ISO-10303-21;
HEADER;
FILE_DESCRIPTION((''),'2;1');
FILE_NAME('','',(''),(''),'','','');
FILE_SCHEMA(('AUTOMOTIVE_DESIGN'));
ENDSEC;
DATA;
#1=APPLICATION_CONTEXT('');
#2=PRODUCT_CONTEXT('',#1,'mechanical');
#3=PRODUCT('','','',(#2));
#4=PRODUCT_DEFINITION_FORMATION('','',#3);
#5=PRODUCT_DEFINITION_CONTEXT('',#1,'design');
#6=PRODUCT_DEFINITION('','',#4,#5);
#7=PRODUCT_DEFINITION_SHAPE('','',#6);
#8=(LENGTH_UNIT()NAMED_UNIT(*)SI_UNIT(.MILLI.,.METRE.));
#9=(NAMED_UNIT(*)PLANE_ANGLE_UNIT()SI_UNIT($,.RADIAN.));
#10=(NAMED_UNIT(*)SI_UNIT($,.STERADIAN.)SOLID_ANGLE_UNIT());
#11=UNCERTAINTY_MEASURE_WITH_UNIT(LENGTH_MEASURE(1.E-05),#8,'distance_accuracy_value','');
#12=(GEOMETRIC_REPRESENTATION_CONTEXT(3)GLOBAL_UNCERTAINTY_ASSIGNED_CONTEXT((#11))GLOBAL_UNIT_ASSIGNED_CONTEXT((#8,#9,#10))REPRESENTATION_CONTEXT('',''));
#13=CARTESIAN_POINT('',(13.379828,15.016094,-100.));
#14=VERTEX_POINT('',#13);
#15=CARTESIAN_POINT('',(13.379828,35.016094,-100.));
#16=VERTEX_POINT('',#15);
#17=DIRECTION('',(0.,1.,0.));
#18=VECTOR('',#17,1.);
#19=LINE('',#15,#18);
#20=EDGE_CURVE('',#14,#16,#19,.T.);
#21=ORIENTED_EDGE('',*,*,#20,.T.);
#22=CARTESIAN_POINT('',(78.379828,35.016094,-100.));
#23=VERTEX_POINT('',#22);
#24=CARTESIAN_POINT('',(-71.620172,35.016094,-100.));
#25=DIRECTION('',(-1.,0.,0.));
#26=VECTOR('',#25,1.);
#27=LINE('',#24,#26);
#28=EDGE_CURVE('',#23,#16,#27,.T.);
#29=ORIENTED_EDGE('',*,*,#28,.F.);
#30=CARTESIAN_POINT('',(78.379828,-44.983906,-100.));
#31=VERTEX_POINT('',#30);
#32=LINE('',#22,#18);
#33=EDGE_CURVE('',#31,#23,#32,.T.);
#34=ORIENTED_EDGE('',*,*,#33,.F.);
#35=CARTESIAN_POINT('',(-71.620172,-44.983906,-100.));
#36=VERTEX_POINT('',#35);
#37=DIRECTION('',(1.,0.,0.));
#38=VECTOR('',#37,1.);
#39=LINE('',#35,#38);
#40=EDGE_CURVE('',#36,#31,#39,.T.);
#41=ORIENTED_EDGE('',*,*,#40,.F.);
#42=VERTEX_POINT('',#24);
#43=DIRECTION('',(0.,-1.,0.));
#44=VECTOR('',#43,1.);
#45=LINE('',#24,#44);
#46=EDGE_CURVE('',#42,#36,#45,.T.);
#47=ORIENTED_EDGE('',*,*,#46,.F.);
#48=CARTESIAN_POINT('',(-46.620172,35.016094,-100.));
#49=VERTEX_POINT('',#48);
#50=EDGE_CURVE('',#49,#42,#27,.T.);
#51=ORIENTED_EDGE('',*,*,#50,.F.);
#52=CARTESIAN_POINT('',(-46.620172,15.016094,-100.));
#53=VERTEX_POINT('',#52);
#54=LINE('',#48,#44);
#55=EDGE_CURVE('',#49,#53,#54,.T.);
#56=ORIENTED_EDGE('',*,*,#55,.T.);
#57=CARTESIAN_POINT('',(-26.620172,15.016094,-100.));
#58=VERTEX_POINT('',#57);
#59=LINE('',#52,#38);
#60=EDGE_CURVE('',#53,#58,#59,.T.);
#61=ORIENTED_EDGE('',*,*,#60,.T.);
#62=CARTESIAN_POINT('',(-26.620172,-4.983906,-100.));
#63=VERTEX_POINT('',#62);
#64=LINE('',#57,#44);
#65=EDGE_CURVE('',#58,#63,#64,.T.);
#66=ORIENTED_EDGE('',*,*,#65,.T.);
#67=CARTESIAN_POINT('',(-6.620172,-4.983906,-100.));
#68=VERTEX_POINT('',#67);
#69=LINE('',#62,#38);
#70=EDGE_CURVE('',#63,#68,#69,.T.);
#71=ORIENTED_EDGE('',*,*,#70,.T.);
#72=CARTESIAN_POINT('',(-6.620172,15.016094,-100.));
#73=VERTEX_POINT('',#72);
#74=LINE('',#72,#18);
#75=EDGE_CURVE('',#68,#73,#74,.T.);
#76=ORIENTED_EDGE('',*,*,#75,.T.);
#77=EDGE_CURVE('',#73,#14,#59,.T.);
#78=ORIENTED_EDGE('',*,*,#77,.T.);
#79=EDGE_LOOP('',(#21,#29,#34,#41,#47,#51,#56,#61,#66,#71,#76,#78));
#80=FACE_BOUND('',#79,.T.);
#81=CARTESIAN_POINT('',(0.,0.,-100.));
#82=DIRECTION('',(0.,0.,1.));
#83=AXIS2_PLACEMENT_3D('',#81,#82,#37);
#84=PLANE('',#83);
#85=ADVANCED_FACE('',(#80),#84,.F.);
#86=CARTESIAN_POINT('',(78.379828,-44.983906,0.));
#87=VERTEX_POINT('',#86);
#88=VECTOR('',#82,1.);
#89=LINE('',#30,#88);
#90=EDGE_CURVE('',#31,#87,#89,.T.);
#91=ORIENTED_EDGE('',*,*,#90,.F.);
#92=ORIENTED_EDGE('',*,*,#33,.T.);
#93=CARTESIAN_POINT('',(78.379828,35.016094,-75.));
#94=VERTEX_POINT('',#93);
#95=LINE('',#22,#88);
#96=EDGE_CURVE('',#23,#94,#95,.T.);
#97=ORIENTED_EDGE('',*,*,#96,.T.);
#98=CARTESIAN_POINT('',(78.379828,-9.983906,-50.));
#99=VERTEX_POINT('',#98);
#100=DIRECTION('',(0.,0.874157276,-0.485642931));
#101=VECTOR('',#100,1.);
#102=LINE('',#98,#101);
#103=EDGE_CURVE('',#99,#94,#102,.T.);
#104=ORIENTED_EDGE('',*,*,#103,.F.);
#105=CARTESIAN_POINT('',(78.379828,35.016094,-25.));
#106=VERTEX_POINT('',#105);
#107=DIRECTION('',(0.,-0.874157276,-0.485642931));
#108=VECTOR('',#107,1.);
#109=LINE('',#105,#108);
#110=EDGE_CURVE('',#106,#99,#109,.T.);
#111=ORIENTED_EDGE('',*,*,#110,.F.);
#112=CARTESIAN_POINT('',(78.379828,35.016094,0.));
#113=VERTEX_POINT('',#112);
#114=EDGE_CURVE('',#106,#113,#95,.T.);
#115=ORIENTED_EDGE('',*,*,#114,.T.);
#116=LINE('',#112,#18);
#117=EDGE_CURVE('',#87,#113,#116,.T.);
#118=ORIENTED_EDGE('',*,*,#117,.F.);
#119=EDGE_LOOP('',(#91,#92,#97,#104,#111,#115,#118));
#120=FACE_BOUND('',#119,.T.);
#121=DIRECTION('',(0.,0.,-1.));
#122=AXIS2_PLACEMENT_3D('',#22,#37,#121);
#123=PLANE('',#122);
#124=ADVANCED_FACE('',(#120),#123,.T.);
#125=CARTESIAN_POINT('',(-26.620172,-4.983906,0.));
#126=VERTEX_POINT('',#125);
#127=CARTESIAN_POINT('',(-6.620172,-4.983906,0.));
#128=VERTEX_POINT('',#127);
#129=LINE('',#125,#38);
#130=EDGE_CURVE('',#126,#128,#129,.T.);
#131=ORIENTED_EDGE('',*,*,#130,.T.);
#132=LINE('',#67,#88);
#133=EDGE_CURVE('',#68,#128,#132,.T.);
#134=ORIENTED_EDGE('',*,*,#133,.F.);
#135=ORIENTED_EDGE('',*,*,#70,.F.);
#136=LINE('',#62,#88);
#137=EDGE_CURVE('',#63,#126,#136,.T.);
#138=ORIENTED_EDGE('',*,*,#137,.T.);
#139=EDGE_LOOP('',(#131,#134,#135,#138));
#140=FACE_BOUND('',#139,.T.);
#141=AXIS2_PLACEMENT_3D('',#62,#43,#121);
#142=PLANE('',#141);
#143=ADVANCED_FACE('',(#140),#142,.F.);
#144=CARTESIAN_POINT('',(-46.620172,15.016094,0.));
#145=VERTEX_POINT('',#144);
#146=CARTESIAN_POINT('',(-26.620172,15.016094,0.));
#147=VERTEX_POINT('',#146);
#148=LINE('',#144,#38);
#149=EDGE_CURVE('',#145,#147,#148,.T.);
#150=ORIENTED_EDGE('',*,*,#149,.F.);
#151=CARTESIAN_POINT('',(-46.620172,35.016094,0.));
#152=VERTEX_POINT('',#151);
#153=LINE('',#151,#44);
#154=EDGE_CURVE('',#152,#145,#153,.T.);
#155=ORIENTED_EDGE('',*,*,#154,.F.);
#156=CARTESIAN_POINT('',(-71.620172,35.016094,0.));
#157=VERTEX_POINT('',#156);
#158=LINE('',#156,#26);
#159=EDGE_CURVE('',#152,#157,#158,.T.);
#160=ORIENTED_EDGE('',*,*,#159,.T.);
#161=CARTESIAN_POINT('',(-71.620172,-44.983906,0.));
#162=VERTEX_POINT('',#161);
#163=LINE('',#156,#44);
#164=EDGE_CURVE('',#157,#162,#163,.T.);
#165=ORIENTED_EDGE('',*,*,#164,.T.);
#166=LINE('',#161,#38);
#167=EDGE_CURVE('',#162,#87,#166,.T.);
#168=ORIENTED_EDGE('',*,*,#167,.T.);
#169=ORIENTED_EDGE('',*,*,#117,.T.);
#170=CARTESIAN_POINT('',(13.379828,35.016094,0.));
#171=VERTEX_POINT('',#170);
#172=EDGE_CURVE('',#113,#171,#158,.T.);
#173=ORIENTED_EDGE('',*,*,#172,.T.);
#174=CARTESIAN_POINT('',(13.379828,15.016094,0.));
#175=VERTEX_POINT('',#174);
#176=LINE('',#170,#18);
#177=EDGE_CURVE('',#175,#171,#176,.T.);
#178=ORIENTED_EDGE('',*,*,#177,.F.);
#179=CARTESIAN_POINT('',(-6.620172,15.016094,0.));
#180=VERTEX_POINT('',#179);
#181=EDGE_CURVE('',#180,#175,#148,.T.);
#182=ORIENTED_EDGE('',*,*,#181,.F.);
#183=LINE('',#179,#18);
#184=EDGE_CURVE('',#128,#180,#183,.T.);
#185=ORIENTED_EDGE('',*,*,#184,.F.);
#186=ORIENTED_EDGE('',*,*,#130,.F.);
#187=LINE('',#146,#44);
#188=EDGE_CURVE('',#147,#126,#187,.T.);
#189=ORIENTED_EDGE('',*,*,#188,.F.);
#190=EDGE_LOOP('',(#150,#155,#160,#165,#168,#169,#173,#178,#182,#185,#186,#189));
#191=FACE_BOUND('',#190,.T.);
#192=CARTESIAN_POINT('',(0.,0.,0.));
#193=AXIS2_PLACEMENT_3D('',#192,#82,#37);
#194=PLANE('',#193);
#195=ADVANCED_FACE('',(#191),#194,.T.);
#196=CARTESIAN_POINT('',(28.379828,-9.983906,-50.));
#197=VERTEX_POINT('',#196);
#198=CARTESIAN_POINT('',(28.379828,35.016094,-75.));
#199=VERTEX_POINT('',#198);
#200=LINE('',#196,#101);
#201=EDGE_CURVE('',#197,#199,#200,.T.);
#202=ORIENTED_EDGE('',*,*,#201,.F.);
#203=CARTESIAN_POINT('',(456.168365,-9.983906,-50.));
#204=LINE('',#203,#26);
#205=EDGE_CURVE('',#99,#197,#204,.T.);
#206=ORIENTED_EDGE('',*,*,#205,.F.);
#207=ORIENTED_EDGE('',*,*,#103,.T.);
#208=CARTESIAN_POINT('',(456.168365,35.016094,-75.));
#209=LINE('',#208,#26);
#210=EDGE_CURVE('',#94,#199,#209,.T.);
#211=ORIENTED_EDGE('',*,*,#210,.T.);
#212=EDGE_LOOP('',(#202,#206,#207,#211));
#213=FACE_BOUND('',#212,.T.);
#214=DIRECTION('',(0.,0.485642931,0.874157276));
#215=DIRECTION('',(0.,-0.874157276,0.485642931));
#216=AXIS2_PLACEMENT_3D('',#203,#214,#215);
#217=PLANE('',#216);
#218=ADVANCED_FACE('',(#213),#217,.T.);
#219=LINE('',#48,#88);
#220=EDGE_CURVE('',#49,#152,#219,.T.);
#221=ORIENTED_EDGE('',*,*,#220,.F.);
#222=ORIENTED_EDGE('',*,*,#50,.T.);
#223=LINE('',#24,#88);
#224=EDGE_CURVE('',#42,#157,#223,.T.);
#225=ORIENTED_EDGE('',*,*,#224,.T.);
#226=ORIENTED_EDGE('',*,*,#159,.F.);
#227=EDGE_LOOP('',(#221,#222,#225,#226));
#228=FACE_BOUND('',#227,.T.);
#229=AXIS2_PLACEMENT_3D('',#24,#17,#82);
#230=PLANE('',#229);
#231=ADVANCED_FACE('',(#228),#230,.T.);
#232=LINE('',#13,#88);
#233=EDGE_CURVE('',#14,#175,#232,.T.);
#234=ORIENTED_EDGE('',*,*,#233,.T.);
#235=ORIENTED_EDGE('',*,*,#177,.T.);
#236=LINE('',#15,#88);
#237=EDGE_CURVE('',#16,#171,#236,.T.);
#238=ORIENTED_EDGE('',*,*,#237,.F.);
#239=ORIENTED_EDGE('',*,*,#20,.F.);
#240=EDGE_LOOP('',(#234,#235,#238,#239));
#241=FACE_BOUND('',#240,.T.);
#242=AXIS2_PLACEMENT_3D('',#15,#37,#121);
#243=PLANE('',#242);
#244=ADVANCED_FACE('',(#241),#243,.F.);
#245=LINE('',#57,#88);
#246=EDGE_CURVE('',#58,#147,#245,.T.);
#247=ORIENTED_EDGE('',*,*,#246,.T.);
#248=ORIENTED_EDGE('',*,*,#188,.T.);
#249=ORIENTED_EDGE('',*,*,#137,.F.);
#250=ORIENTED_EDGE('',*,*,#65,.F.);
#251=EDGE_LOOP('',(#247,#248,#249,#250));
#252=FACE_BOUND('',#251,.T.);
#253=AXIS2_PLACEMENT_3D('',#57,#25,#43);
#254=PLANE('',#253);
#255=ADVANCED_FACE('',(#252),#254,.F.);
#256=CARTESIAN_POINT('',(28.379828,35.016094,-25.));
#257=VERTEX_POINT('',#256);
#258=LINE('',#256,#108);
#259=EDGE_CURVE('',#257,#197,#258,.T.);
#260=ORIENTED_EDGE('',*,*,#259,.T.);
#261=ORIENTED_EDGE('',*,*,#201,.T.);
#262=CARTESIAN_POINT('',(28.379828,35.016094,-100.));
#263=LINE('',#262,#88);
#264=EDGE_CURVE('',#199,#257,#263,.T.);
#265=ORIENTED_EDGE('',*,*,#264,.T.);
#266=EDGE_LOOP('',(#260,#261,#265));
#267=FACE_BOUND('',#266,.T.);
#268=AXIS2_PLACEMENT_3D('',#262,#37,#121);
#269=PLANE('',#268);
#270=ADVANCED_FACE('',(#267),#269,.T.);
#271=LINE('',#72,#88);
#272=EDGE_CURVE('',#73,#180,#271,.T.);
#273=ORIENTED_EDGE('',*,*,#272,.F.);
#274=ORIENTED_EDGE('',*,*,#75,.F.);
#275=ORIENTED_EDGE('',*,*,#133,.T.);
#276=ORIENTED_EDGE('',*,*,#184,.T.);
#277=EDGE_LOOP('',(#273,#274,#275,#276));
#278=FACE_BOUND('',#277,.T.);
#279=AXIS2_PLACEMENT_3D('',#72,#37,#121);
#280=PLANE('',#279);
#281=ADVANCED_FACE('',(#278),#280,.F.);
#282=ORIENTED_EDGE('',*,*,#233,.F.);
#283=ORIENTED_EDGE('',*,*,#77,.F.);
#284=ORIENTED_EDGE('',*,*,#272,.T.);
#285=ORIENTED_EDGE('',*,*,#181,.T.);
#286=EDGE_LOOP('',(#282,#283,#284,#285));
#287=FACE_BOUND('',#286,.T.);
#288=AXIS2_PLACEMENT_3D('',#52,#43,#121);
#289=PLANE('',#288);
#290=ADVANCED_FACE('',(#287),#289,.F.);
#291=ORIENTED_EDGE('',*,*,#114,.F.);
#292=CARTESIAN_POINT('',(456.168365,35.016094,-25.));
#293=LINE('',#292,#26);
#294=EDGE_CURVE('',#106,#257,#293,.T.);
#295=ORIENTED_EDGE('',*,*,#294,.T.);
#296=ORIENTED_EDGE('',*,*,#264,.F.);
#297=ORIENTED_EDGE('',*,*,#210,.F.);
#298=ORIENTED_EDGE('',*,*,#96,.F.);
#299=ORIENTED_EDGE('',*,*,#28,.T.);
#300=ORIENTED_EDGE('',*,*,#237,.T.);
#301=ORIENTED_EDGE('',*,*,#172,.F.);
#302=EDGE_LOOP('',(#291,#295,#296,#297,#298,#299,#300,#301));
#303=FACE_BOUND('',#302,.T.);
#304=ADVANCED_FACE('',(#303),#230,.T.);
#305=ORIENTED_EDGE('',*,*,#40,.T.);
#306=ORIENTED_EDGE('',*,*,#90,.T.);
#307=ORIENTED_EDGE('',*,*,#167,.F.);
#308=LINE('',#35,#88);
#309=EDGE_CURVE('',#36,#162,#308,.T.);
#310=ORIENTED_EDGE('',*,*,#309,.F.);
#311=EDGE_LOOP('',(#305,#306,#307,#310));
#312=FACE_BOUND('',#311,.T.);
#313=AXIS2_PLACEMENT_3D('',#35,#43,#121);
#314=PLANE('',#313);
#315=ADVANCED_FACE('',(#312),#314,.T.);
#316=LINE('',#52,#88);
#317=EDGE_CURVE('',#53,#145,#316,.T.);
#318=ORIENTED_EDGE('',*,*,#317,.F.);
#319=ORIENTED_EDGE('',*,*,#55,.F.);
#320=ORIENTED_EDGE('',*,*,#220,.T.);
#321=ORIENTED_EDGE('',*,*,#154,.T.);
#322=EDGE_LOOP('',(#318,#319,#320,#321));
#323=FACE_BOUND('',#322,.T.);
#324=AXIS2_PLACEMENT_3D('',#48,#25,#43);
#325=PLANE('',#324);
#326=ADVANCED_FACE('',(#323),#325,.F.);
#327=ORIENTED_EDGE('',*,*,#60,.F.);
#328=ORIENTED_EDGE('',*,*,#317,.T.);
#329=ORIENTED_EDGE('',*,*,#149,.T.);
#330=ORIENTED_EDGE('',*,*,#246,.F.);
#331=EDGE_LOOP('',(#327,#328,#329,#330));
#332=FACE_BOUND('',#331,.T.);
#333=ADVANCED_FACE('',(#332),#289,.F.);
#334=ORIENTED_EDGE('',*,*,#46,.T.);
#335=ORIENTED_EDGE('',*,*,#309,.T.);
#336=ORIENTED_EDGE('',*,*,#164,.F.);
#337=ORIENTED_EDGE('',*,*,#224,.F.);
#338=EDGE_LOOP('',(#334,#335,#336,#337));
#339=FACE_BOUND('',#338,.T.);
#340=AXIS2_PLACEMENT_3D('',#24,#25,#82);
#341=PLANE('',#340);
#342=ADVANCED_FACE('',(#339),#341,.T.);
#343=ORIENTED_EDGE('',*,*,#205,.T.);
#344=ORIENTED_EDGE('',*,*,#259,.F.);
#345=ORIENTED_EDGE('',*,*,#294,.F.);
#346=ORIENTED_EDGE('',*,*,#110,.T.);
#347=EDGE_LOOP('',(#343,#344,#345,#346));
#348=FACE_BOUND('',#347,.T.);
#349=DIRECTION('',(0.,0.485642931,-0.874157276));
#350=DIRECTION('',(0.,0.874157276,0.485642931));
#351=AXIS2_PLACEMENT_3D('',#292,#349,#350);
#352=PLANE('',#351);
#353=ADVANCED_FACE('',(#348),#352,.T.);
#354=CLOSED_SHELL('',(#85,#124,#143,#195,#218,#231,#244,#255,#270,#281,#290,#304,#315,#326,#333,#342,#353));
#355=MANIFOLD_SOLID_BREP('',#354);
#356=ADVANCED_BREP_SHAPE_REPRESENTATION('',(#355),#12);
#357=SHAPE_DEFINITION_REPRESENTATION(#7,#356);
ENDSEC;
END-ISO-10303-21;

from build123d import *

# Parameters (mm, degrees)
SKETCH1_W               = 150
SKETCH1_H               = 80
BOSS_EXTRUDE1_DEPTH     = 100
SKETCH2_W               = 60
SKETCH2_H               = 20
CUT_EXTRUDE1_DEPTH      = 100
SKETCH3_W               = 20
SKETCH3_H               = 20
CUT_EXTRUDE2_DEPTH      = 100
CUT_EXTRUDE3_DEPTH      = 1
CUT_EXTRUDE3_DEPTH_BACK = 50


with BuildPart() as part:
    # Sketch1 → Boss-Extrude1 (new body)
    with BuildSketch(Plane.XY):
        with Locations((3.379828326, -4.983905579)):
            Rectangle(SKETCH1_W, SKETCH1_H)
    extrude(amount=-BOSS_EXTRUDE1_DEPTH)

    # Sketch2 → Cut-Extrude1 (cut)
    with BuildSketch(Plane.XY):
        with Locations((-16.620171674, 25.016094421)):
            Rectangle(SKETCH2_W, SKETCH2_H)
    extrude(amount=-CUT_EXTRUDE1_DEPTH, mode=Mode.SUBTRACT)

    # Sketch3 → Cut-Extrude2 (cut)
    with BuildSketch(Plane.XY):
        with Locations((-16.620171674, 5.016094421)):
            Rectangle(SKETCH3_W, SKETCH3_H)
    extrude(amount=-CUT_EXTRUDE2_DEPTH, mode=Mode.SUBTRACT)

    # Sketch4 → Cut-Extrude3 (cut, two sides)
    with BuildSketch(Plane(origin=(78.379828326, 0, 0), x_dir=(0, 0, -1), z_dir=(1, 0, 0))) as cut_extrude3_sk:
        Polygon((-86.366239295, 235.475325151), (25, 35.016094421), (50, -9.983905579), (75, 35.016094421), (186.366239295, 235.475325151), (186.366239295, 694.109569141), (-86.366239295, 694.109569141), align=None)
    extrude(amount=CUT_EXTRUDE3_DEPTH, mode=Mode.SUBTRACT)
    extrude(cut_extrude3_sk.sketch, amount=-CUT_EXTRUDE3_DEPTH_BACK, mode=Mode.SUBTRACT)


solid = part.part
